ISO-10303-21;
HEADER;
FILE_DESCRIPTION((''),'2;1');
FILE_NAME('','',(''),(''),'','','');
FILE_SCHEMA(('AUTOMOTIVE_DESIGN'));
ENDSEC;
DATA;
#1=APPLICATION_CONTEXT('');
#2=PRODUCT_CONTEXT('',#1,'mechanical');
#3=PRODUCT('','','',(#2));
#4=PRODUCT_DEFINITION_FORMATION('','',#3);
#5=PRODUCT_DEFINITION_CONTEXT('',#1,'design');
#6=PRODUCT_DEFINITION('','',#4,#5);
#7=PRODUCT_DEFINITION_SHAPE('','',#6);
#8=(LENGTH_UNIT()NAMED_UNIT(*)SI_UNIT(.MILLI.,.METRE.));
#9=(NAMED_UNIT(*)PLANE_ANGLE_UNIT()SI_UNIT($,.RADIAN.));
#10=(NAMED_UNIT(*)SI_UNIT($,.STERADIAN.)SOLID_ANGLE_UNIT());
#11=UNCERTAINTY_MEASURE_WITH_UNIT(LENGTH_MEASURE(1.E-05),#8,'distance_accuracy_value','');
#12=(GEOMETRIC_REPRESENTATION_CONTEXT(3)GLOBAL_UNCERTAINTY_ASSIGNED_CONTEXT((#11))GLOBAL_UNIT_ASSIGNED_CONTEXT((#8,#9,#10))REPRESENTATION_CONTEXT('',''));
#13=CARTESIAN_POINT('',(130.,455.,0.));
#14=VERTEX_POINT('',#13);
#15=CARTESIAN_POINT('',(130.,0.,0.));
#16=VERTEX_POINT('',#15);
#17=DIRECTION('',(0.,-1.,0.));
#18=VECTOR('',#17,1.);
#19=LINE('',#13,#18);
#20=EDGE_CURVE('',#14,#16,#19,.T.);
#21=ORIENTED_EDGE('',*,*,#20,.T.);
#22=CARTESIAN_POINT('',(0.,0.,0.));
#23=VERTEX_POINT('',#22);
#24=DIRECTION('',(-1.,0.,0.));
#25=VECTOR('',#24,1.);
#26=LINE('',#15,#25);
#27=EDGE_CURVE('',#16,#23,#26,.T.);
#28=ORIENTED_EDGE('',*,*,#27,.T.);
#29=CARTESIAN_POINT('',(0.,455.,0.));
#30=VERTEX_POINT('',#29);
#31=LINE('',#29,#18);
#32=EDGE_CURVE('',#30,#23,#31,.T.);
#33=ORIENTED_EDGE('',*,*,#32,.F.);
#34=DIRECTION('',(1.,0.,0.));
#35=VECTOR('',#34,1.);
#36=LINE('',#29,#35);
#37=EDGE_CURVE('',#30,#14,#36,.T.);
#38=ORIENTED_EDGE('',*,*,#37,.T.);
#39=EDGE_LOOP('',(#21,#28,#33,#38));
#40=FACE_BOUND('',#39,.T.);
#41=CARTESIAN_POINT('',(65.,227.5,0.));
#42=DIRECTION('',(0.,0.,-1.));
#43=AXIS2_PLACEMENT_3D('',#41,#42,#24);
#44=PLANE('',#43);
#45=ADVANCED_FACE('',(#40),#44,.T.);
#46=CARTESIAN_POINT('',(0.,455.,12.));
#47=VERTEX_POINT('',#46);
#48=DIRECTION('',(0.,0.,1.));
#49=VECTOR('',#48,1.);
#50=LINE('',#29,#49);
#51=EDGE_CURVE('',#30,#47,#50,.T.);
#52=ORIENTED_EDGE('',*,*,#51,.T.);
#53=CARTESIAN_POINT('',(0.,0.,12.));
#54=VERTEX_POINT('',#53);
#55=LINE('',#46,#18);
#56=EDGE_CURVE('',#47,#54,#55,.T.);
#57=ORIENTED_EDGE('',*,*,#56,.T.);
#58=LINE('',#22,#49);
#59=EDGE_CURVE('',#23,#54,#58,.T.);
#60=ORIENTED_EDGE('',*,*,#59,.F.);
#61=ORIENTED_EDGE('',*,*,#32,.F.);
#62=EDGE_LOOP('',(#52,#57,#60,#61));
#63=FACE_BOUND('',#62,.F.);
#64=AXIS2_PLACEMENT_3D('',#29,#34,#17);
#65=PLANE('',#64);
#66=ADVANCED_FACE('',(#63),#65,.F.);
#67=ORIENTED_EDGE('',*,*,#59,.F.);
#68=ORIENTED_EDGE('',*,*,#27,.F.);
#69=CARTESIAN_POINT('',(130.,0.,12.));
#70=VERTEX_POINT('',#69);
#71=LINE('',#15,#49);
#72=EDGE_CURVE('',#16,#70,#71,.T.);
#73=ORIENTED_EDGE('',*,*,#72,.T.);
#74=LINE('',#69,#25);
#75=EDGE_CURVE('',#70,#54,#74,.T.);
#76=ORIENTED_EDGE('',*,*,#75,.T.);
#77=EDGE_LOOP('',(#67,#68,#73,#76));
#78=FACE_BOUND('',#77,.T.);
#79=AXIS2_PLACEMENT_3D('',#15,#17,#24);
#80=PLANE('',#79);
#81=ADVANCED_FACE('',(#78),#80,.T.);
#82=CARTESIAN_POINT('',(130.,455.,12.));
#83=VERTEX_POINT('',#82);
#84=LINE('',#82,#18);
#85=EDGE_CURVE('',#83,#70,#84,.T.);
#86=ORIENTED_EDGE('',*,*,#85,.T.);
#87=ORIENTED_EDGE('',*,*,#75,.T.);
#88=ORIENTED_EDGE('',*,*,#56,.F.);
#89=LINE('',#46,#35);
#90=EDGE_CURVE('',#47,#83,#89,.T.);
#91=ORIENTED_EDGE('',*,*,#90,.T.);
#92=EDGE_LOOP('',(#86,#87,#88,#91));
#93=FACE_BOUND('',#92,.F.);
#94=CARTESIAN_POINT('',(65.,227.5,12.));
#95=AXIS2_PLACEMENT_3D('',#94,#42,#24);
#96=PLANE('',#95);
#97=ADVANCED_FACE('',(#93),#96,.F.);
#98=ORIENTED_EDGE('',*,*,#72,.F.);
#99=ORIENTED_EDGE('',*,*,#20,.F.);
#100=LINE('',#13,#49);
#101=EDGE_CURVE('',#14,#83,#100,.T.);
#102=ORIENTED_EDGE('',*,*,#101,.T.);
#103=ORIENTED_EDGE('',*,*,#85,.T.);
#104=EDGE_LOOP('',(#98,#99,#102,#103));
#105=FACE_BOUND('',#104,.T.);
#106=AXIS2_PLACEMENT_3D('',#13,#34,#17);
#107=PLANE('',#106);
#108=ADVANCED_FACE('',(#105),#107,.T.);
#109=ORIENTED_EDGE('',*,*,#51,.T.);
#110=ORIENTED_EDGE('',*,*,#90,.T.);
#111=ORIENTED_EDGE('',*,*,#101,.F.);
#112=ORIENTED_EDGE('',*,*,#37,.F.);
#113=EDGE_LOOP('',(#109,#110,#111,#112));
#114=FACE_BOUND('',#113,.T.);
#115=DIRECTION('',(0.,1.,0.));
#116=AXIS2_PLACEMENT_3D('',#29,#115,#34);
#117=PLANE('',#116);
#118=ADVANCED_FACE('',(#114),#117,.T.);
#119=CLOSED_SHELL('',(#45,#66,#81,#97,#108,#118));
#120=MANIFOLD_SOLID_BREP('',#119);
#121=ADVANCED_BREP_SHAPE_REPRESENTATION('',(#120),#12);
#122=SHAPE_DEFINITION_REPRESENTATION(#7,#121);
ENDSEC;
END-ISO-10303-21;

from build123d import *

# Parameters (mm, degrees)
PAD_DEPTH = 12


with BuildPart() as part:
    # Sketch → Pad (new body)
    with BuildSketch(Plane.XY):
        Polygon((0, 455), (130, 455), (130, 0), (0, 0), (0, 227.5), align=None)
    extrude(amount=PAD_DEPTH)


solid = part.part
